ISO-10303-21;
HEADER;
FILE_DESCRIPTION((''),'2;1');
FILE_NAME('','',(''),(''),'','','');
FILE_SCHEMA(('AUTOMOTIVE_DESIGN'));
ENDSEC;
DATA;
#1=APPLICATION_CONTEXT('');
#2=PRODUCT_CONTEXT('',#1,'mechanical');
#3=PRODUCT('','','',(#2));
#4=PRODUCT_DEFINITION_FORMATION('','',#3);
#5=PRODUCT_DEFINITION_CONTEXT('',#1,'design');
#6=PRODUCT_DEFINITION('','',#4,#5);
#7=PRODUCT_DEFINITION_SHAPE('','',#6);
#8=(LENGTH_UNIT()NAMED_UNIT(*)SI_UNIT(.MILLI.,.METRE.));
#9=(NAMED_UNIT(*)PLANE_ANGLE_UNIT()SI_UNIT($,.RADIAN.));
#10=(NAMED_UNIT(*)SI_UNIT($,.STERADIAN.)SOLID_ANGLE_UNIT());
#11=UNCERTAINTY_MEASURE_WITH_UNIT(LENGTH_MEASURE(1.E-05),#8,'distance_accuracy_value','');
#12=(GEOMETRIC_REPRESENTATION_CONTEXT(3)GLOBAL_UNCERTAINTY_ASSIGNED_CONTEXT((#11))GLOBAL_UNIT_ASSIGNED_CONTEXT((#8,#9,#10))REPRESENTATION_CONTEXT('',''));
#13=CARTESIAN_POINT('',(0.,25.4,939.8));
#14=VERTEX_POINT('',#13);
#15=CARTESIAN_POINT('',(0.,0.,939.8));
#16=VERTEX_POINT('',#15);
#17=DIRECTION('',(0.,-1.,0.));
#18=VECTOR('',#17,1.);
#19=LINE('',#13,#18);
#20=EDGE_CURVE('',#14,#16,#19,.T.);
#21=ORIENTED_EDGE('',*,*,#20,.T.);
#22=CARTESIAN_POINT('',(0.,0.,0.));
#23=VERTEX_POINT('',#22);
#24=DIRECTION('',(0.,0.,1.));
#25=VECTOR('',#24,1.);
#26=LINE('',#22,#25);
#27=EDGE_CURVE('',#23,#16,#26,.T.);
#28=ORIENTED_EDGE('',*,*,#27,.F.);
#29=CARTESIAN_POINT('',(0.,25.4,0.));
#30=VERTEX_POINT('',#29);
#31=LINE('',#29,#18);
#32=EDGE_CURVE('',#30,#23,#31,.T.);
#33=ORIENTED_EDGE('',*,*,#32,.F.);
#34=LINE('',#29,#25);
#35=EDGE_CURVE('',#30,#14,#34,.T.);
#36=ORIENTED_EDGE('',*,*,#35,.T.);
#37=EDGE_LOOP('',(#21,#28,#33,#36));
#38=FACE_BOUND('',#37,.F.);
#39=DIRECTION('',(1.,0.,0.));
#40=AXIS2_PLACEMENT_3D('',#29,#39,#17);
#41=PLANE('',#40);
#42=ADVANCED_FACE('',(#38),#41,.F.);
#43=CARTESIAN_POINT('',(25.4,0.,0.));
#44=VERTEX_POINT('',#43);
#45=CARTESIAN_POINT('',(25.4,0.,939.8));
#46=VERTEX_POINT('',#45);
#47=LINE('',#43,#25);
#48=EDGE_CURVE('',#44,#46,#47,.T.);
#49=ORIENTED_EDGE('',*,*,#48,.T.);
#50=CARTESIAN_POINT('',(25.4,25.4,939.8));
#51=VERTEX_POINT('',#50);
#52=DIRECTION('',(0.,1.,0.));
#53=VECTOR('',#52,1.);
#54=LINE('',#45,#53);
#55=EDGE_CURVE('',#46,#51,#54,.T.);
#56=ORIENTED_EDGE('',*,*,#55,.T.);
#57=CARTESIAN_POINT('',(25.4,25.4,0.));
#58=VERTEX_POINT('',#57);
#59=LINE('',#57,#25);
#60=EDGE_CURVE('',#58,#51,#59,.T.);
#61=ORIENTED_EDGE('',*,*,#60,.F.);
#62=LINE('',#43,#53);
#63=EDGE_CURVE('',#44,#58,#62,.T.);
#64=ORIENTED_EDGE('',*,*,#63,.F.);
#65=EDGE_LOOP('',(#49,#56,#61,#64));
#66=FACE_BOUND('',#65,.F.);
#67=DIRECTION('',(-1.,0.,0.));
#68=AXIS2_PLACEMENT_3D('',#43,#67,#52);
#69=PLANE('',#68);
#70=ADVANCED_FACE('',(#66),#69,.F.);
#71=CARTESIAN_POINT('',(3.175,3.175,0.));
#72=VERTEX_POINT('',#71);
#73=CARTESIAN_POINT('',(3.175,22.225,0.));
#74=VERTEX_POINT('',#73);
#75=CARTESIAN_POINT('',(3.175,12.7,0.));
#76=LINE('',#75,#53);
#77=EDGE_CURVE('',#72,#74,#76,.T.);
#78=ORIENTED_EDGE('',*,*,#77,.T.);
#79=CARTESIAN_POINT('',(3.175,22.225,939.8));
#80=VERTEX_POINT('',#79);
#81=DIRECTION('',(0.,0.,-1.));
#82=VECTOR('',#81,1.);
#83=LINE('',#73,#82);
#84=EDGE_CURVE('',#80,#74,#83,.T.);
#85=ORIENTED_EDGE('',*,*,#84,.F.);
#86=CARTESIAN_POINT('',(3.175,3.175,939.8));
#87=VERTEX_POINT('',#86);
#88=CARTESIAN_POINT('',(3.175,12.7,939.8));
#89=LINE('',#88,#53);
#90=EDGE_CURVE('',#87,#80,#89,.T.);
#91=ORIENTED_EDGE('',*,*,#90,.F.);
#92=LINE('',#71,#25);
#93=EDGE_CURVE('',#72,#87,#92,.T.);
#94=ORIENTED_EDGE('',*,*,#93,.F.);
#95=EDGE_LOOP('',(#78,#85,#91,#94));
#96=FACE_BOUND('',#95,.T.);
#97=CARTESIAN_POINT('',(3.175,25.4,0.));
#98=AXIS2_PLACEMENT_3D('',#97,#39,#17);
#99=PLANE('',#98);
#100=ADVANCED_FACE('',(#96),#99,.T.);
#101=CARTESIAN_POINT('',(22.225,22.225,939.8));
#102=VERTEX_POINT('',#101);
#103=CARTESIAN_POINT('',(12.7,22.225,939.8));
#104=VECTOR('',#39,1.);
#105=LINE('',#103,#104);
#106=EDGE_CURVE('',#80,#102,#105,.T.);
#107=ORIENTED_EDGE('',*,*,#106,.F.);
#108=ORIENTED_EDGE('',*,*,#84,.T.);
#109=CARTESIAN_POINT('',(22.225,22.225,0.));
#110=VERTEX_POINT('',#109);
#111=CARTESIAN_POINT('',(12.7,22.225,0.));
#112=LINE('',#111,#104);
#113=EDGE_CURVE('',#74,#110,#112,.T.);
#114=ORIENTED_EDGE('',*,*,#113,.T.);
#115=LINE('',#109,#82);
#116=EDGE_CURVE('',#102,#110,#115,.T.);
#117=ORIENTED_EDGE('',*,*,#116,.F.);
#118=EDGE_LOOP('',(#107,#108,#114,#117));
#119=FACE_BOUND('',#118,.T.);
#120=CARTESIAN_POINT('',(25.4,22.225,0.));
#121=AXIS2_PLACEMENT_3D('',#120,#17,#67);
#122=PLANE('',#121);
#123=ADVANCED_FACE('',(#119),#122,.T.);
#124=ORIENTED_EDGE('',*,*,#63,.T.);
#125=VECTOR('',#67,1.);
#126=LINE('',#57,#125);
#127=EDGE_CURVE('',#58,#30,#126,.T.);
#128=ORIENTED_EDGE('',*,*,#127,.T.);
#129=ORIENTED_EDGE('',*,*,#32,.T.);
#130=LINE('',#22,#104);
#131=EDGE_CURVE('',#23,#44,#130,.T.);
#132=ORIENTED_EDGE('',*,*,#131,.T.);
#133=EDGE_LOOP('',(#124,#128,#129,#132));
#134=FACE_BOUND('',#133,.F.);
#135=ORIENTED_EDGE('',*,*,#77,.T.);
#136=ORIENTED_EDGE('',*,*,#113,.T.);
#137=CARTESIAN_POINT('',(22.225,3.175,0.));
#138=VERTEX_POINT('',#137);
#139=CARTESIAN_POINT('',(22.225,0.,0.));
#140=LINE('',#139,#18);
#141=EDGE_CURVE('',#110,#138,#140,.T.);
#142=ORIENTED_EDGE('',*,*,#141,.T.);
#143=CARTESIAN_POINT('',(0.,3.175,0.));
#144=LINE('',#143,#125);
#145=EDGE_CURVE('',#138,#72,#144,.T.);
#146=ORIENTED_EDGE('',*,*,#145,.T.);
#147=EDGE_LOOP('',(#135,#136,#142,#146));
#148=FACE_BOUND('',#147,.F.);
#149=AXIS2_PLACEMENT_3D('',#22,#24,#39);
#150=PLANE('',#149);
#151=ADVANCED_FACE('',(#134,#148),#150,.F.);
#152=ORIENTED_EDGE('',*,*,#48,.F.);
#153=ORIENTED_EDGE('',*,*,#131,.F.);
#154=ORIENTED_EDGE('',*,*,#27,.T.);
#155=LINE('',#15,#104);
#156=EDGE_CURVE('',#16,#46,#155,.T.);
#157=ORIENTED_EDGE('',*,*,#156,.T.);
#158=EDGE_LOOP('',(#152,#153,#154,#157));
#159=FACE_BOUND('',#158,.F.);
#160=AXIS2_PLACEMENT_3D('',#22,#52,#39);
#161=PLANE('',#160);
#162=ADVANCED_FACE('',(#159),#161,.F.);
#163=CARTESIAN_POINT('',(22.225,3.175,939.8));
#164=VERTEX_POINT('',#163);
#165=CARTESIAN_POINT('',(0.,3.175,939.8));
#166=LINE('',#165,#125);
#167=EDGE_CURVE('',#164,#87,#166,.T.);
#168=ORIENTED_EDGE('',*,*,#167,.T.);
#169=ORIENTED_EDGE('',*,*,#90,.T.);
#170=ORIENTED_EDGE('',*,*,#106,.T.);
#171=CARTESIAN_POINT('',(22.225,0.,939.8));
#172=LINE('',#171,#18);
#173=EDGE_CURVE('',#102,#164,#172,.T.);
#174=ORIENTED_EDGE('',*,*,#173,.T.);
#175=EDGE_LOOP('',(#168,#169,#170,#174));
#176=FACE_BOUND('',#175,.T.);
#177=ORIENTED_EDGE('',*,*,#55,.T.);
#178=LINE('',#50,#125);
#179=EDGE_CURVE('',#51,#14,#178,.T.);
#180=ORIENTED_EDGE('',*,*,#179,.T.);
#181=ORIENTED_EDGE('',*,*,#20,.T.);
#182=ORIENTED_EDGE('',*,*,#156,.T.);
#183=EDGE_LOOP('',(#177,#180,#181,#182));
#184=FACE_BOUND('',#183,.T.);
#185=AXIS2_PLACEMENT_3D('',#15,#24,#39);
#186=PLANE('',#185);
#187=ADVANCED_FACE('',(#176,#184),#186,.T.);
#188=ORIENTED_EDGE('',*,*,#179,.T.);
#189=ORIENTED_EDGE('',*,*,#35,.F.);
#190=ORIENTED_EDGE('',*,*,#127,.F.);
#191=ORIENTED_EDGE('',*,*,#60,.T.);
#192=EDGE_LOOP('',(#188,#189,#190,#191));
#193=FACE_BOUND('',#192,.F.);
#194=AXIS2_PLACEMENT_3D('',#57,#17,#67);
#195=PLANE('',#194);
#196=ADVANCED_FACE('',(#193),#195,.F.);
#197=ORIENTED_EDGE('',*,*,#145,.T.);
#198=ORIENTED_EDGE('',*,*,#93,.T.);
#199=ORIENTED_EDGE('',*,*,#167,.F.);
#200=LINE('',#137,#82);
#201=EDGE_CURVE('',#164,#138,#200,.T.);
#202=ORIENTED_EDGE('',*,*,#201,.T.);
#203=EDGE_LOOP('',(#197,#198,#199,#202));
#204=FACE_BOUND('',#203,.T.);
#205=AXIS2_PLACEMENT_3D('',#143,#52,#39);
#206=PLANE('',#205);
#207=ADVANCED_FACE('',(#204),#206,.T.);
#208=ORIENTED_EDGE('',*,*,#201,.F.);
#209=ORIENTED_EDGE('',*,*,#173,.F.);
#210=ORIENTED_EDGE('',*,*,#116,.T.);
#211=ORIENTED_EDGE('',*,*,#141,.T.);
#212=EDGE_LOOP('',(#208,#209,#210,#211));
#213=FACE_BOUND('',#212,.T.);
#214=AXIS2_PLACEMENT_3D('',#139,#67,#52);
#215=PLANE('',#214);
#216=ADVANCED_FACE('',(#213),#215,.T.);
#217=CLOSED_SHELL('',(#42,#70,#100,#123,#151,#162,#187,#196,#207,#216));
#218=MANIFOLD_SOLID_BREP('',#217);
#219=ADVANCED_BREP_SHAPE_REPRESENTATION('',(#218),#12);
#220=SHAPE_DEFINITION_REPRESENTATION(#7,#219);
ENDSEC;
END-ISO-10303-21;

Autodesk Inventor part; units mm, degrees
ref_plane "YZ Plane" through (0, 0, 0) normal (1, 0, 0) x (0, 1, 0)
ref_plane "XZ Plane" through (0, 0, 0) normal (0, 1, 0) x (-1, 0, 0)
ref_plane "XY Plane" through (0, 0, 0) normal (0, 0, 1) x (1, 0, 0)
sketch "Sketch1" plane through (0, 0, 0) normal (0, 0, 1) x (1, 0, 0)
  line L0 (0, 0) -> (25.4, 0)
  line L1 (25.4, 0) -> (25.4, 25.4)
  line L2 (25.4, 25.4) -> (0, 25.4)
  line L3 (0, 25.4) -> (0, 0)
  dimension "d0" = 25.4
  dimension "d1" = 25.4
extrude "Extrusion1" add sketch "Sketch1" along normal blind 939.8
shell "Shell1" thickness 3.175 removed faces 2 at (8.4667, 16.9333, 0) at (8.4667, 16.9333, 939.8)
properties part number "RearFrameRail" material "Aluminum-6061"
